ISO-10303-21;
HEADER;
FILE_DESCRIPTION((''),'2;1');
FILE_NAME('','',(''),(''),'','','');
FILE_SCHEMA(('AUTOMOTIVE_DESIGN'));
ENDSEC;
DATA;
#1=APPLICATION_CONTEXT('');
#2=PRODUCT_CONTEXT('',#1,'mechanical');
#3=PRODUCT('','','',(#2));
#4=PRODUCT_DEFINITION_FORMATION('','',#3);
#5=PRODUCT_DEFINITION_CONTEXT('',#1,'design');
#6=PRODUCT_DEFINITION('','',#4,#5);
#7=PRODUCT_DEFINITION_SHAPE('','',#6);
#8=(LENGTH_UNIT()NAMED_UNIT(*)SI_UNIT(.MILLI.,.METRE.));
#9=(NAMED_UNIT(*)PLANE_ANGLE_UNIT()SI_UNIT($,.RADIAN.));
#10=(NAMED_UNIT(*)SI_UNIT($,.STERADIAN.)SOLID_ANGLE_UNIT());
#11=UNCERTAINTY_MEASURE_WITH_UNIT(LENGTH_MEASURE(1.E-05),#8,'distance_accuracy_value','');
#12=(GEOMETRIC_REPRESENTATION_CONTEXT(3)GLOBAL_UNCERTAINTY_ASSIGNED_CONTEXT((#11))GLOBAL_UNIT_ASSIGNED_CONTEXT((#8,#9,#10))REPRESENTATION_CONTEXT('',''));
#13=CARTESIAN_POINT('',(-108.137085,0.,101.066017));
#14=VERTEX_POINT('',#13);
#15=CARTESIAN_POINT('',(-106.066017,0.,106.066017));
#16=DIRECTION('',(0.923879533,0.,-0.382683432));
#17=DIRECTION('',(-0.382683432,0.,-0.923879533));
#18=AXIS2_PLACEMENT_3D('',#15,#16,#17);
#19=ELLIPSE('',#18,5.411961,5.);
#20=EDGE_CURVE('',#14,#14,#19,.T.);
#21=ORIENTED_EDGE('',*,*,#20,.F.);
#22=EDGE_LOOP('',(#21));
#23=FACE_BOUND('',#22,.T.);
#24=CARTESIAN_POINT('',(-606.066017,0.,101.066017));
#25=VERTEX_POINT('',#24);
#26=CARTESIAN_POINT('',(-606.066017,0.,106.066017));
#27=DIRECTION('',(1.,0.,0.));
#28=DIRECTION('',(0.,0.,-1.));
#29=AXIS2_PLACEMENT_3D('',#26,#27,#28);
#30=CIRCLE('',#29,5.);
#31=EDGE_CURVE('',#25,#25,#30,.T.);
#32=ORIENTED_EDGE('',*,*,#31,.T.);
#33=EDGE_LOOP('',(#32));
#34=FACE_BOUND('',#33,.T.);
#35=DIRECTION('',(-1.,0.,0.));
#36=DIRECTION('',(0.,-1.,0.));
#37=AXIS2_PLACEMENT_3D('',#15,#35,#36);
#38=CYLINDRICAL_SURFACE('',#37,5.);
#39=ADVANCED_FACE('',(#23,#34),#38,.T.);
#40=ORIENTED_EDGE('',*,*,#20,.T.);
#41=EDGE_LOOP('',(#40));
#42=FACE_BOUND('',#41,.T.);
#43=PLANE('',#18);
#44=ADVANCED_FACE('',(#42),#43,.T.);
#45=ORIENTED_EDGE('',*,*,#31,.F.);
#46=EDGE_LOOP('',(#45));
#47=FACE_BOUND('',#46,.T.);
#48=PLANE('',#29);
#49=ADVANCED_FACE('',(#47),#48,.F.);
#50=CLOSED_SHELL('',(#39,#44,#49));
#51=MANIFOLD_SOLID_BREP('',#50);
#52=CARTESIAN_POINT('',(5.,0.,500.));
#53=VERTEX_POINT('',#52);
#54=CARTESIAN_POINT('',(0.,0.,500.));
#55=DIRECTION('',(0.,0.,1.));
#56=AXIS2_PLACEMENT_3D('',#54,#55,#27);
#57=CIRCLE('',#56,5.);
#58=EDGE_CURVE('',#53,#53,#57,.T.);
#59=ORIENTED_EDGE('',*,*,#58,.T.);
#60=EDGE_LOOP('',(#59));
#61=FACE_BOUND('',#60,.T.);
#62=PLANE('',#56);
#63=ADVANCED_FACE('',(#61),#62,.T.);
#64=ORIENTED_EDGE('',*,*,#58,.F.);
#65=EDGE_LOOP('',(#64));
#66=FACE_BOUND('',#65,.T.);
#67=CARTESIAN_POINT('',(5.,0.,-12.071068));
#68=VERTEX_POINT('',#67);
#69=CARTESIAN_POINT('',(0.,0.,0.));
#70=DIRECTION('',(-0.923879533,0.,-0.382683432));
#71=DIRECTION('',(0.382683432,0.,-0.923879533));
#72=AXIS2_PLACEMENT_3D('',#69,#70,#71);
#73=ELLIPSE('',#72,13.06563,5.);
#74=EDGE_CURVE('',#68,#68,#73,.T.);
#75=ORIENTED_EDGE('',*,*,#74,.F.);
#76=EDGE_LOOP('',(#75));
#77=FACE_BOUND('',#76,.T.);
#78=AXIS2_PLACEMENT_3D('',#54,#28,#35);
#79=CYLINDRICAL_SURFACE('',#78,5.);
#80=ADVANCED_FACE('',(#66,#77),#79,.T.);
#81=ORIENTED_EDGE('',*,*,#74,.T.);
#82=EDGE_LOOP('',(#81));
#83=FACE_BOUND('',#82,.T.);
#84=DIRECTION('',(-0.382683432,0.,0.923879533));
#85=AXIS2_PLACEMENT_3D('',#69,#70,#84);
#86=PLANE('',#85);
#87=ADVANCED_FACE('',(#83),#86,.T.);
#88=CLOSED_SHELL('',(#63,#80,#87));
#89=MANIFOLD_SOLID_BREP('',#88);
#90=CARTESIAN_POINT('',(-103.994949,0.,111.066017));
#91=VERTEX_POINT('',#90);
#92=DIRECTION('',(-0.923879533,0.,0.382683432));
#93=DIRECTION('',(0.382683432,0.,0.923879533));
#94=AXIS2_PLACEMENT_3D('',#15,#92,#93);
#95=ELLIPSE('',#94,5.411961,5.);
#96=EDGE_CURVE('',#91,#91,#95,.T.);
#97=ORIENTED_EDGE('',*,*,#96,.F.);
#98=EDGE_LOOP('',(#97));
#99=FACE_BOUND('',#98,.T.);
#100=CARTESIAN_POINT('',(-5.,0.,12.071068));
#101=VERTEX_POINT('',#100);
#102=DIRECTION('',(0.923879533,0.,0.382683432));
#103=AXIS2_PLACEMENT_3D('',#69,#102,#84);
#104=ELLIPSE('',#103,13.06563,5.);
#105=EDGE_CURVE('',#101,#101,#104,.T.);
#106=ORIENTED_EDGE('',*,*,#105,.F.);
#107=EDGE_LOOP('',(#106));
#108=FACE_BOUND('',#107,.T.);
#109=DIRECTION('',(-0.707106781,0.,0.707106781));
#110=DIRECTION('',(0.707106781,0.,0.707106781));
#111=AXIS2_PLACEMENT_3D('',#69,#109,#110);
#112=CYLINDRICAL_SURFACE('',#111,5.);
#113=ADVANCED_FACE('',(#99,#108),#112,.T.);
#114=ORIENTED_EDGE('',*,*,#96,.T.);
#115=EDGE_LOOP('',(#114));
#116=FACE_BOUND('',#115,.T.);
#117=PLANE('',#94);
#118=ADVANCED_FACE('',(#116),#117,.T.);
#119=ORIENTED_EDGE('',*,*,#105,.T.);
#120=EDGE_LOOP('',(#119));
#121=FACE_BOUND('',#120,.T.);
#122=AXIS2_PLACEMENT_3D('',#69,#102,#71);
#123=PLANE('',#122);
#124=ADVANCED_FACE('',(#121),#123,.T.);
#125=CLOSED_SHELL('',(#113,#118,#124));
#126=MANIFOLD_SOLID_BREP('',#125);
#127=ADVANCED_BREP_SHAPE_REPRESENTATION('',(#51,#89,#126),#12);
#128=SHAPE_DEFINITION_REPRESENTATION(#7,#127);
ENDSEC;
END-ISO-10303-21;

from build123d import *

# Parameters (mm, degrees)
SKETCH1_ON_SEGMENT_1_R                 = 5
ROUND_RODS_ROUND_BAR_10_2_DEPTH        = 503.928932188
SKETCH1_ON_SEGMENT_2_R                 = 5
ROUND_RODS_ROUND_BAR_10_2_2_DEPTH      = 172
SKETCH1_R                              = 5
ROUND_RODS_ROUND_BAR_10_2_3_DEPTH      = 500
ROUND_RODS_ROUND_BAR_10_2_3_DEPTH_BACK = 18.071067812


with BuildPart() as part:
    # Sketch1 on segment 1 (carried to segment 1) → Round-rods ROUND BAR 10(2) (new body)
    with BuildSketch(Plane(origin=(-606.066017178, 0, 106.066017178), x_dir=(0, 0, -1), z_dir=(1, 0, 0))):
        Circle(SKETCH1_ON_SEGMENT_1_R)
    extrude(amount=ROUND_RODS_ROUND_BAR_10_2_DEPTH)

    # Round-rods ROUND BAR 10(2) mitre 1
    split(bisect_by=Plane(origin=(-106.066017178, 0, 106.066017178), x_dir=(0, -1, 0), z_dir=(-0.923879533, 0, 0.382683432)), keep=Keep.TOP)


with BuildPart() as body_2:
    # Sketch1 on segment 2 (carried to segment 2) → Round-rods ROUND BAR 10_2 2 (new body)
    with BuildSketch(Plane(origin=(-108.844191771, 0, 108.844191771), x_dir=(-0.707106781, 0, -0.707106781), z_dir=(0.707106781, 0, -0.707106781))):
        Circle(SKETCH1_ON_SEGMENT_2_R)
    extrude(amount=ROUND_RODS_ROUND_BAR_10_2_2_DEPTH)

    # Round-rods ROUND BAR 10_2 2 mitre 1
    split(bisect_by=Plane(origin=(0, 0, 0), x_dir=(0, -1, 0), z_dir=(-0.923879533, 0, -0.382683432)), keep=Keep.TOP)

    # Round-rods ROUND BAR 10_2 2 mitre 2
    split(bisect_by=Plane(origin=(-106.066017178, 0, 106.066017178), x_dir=(0, 1, 0), z_dir=(0.923879533, 0, -0.382683432)), keep=Keep.TOP)


with BuildPart() as body_3:
    # Sketch1 → Round-rods ROUND BAR 10_2 3 (new, two sides)
    with BuildSketch(Plane.XY) as round_rods_round_bar_10_2_3_sk:
        Circle(SKETCH1_R)
    extrude(amount=ROUND_RODS_ROUND_BAR_10_2_3_DEPTH)
    extrude(round_rods_round_bar_10_2_3_sk.sketch, amount=-ROUND_RODS_ROUND_BAR_10_2_3_DEPTH_BACK)

    # Round-rods ROUND BAR 10_2 3 mitre 1
    split(bisect_by=Plane(origin=(0, 0, 0), x_dir=(0, 1, 0), z_dir=(0.923879533, 0, 0.382683432)), keep=Keep.TOP)


solid = Compound([part.part, body_2.part, body_3.part])
